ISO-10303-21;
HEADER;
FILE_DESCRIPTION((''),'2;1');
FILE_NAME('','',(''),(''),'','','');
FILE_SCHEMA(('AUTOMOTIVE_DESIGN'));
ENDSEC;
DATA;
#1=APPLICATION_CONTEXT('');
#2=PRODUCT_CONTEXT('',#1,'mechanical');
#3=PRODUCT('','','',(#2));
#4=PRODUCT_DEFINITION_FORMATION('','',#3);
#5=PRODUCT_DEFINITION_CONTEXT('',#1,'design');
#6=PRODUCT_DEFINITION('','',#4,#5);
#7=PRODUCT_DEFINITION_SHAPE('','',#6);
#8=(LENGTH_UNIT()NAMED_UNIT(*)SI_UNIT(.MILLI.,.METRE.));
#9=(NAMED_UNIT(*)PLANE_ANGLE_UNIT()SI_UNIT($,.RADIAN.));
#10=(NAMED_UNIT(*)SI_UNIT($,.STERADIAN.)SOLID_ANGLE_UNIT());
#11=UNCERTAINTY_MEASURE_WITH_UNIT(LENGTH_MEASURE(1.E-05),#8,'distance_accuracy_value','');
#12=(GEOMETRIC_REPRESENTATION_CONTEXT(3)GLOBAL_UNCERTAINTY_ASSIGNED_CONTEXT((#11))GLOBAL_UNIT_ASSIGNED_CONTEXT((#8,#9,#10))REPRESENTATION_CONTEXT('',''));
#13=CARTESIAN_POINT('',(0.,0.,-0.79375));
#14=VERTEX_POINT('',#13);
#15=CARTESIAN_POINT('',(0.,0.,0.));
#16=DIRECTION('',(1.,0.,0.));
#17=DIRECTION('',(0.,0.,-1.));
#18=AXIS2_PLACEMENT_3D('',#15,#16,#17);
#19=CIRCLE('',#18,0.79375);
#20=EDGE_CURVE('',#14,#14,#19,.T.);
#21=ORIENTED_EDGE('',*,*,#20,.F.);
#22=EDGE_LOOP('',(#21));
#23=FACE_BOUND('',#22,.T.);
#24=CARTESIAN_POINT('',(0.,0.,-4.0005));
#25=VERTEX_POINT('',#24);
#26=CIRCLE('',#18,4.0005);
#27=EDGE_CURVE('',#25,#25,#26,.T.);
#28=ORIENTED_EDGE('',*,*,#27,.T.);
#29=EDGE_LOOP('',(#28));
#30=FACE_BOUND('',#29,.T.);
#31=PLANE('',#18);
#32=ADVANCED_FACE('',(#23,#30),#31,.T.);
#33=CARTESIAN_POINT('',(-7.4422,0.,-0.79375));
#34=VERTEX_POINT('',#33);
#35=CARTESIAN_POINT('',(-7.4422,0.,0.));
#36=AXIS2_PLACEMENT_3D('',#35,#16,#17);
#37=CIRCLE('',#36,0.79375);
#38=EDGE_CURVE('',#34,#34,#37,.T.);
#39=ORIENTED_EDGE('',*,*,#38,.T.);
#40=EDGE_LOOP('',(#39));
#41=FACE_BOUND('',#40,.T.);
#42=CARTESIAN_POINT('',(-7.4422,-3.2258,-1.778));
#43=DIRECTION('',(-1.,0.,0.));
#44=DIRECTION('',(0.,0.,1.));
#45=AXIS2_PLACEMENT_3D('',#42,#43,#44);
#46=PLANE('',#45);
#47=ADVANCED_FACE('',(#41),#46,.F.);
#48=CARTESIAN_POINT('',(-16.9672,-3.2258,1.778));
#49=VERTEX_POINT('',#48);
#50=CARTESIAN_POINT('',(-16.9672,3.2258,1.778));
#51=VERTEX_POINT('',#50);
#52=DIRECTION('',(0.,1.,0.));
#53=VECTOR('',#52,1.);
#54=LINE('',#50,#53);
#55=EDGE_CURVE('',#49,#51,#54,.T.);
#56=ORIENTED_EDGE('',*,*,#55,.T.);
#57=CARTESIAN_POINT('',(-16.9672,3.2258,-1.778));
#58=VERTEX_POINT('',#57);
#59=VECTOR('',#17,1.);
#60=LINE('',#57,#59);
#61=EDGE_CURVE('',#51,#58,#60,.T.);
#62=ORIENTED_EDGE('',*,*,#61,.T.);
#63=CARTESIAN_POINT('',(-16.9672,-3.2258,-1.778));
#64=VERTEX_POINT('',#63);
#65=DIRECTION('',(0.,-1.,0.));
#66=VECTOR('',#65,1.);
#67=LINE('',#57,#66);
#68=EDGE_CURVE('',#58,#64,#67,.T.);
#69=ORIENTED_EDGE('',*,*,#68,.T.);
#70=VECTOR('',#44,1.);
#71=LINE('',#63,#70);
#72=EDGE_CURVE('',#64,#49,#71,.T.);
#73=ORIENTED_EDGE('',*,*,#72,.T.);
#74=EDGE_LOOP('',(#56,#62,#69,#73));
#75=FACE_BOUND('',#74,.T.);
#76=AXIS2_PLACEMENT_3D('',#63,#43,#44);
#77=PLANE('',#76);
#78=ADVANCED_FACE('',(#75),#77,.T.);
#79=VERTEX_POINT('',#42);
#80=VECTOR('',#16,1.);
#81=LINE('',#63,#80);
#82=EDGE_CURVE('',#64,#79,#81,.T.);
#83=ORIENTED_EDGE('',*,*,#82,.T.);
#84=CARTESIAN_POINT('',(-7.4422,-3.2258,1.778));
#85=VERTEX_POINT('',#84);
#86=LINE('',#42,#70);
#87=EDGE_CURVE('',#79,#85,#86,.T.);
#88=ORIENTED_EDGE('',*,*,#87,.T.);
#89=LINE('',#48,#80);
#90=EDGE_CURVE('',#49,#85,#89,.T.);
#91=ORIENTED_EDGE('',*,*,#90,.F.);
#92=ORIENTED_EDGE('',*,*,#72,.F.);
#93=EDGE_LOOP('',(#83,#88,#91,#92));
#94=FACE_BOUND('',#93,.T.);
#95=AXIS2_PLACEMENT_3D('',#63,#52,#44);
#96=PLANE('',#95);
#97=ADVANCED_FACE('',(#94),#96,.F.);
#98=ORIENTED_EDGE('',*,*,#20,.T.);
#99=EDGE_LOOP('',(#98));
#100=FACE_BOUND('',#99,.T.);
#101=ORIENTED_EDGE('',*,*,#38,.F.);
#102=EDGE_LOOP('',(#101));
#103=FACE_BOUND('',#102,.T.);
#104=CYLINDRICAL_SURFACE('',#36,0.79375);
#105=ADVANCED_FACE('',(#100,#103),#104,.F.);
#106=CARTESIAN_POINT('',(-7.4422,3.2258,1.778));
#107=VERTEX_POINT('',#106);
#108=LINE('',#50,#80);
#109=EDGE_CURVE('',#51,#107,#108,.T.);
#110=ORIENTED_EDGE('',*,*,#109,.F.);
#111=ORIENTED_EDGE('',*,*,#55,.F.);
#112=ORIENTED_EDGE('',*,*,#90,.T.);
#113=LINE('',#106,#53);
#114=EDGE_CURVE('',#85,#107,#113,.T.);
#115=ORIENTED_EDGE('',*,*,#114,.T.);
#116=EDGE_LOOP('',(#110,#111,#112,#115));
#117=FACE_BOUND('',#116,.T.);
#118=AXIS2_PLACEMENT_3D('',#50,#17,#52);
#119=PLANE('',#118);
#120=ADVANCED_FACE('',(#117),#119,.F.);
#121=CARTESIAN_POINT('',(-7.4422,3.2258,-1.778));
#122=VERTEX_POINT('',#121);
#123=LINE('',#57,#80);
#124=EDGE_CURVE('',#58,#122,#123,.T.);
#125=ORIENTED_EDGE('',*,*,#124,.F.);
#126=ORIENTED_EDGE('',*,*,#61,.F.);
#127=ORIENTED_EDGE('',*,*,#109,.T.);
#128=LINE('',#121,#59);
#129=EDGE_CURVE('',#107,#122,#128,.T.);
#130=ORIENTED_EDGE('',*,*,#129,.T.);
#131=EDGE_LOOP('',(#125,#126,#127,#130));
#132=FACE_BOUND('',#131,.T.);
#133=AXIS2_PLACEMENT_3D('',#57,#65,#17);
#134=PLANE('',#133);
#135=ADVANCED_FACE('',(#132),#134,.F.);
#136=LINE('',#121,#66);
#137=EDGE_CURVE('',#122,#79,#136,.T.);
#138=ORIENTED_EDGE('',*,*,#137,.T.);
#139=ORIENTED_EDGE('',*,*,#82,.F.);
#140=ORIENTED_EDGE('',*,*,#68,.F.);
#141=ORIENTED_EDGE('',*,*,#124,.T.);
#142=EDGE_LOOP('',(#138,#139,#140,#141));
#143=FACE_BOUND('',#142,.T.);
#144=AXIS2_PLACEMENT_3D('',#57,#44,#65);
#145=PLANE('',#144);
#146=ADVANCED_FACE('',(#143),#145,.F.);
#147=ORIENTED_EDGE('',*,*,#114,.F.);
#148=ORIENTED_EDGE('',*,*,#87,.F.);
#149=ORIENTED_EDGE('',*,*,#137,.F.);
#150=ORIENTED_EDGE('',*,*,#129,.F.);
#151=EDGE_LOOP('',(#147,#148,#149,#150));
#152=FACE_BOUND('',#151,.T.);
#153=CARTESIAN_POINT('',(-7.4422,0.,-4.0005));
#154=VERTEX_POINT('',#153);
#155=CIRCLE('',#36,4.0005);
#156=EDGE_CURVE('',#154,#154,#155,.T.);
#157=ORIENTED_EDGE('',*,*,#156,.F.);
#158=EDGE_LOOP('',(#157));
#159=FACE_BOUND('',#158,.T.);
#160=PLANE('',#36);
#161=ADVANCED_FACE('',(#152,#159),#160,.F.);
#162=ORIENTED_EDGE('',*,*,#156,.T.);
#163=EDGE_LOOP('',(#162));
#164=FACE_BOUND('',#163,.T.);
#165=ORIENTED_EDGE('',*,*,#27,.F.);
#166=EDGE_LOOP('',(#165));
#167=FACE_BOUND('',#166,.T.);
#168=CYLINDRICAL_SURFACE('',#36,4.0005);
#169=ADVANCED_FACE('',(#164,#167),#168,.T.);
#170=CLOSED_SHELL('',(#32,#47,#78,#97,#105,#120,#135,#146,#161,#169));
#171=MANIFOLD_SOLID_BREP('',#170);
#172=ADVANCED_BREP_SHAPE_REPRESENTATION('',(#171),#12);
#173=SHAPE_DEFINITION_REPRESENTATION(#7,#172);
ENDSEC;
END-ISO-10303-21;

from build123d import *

# Parameters (mm, degrees)
SKETCH1_R      = 4.0005
SKETCH1_R_2    = 0.79375
EXTRUDE1_DEPTH = 7.4422
SKETCH4_W      = 3.556
SKETCH4_H      = 6.4516
EXTRUDE2_DEPTH = 9.525


with BuildPart() as part:
    # Sketch1 → Extrude1 (new body)
    with BuildSketch(Plane(origin=(0, 0, 0), x_dir=(0, 0, -1), z_dir=(1, 0, 0))):
        Circle(SKETCH1_R)
        Circle(SKETCH1_R_2, mode=Mode.SUBTRACT)
    extrude(amount=-EXTRUDE1_DEPTH)

    # Sketch4 → Extrude2 (add)
    with BuildSketch(Plane.ZY.offset(7.4422)):
        Rectangle(SKETCH4_W, SKETCH4_H)
    extrude(amount=EXTRUDE2_DEPTH)


solid = part.part
